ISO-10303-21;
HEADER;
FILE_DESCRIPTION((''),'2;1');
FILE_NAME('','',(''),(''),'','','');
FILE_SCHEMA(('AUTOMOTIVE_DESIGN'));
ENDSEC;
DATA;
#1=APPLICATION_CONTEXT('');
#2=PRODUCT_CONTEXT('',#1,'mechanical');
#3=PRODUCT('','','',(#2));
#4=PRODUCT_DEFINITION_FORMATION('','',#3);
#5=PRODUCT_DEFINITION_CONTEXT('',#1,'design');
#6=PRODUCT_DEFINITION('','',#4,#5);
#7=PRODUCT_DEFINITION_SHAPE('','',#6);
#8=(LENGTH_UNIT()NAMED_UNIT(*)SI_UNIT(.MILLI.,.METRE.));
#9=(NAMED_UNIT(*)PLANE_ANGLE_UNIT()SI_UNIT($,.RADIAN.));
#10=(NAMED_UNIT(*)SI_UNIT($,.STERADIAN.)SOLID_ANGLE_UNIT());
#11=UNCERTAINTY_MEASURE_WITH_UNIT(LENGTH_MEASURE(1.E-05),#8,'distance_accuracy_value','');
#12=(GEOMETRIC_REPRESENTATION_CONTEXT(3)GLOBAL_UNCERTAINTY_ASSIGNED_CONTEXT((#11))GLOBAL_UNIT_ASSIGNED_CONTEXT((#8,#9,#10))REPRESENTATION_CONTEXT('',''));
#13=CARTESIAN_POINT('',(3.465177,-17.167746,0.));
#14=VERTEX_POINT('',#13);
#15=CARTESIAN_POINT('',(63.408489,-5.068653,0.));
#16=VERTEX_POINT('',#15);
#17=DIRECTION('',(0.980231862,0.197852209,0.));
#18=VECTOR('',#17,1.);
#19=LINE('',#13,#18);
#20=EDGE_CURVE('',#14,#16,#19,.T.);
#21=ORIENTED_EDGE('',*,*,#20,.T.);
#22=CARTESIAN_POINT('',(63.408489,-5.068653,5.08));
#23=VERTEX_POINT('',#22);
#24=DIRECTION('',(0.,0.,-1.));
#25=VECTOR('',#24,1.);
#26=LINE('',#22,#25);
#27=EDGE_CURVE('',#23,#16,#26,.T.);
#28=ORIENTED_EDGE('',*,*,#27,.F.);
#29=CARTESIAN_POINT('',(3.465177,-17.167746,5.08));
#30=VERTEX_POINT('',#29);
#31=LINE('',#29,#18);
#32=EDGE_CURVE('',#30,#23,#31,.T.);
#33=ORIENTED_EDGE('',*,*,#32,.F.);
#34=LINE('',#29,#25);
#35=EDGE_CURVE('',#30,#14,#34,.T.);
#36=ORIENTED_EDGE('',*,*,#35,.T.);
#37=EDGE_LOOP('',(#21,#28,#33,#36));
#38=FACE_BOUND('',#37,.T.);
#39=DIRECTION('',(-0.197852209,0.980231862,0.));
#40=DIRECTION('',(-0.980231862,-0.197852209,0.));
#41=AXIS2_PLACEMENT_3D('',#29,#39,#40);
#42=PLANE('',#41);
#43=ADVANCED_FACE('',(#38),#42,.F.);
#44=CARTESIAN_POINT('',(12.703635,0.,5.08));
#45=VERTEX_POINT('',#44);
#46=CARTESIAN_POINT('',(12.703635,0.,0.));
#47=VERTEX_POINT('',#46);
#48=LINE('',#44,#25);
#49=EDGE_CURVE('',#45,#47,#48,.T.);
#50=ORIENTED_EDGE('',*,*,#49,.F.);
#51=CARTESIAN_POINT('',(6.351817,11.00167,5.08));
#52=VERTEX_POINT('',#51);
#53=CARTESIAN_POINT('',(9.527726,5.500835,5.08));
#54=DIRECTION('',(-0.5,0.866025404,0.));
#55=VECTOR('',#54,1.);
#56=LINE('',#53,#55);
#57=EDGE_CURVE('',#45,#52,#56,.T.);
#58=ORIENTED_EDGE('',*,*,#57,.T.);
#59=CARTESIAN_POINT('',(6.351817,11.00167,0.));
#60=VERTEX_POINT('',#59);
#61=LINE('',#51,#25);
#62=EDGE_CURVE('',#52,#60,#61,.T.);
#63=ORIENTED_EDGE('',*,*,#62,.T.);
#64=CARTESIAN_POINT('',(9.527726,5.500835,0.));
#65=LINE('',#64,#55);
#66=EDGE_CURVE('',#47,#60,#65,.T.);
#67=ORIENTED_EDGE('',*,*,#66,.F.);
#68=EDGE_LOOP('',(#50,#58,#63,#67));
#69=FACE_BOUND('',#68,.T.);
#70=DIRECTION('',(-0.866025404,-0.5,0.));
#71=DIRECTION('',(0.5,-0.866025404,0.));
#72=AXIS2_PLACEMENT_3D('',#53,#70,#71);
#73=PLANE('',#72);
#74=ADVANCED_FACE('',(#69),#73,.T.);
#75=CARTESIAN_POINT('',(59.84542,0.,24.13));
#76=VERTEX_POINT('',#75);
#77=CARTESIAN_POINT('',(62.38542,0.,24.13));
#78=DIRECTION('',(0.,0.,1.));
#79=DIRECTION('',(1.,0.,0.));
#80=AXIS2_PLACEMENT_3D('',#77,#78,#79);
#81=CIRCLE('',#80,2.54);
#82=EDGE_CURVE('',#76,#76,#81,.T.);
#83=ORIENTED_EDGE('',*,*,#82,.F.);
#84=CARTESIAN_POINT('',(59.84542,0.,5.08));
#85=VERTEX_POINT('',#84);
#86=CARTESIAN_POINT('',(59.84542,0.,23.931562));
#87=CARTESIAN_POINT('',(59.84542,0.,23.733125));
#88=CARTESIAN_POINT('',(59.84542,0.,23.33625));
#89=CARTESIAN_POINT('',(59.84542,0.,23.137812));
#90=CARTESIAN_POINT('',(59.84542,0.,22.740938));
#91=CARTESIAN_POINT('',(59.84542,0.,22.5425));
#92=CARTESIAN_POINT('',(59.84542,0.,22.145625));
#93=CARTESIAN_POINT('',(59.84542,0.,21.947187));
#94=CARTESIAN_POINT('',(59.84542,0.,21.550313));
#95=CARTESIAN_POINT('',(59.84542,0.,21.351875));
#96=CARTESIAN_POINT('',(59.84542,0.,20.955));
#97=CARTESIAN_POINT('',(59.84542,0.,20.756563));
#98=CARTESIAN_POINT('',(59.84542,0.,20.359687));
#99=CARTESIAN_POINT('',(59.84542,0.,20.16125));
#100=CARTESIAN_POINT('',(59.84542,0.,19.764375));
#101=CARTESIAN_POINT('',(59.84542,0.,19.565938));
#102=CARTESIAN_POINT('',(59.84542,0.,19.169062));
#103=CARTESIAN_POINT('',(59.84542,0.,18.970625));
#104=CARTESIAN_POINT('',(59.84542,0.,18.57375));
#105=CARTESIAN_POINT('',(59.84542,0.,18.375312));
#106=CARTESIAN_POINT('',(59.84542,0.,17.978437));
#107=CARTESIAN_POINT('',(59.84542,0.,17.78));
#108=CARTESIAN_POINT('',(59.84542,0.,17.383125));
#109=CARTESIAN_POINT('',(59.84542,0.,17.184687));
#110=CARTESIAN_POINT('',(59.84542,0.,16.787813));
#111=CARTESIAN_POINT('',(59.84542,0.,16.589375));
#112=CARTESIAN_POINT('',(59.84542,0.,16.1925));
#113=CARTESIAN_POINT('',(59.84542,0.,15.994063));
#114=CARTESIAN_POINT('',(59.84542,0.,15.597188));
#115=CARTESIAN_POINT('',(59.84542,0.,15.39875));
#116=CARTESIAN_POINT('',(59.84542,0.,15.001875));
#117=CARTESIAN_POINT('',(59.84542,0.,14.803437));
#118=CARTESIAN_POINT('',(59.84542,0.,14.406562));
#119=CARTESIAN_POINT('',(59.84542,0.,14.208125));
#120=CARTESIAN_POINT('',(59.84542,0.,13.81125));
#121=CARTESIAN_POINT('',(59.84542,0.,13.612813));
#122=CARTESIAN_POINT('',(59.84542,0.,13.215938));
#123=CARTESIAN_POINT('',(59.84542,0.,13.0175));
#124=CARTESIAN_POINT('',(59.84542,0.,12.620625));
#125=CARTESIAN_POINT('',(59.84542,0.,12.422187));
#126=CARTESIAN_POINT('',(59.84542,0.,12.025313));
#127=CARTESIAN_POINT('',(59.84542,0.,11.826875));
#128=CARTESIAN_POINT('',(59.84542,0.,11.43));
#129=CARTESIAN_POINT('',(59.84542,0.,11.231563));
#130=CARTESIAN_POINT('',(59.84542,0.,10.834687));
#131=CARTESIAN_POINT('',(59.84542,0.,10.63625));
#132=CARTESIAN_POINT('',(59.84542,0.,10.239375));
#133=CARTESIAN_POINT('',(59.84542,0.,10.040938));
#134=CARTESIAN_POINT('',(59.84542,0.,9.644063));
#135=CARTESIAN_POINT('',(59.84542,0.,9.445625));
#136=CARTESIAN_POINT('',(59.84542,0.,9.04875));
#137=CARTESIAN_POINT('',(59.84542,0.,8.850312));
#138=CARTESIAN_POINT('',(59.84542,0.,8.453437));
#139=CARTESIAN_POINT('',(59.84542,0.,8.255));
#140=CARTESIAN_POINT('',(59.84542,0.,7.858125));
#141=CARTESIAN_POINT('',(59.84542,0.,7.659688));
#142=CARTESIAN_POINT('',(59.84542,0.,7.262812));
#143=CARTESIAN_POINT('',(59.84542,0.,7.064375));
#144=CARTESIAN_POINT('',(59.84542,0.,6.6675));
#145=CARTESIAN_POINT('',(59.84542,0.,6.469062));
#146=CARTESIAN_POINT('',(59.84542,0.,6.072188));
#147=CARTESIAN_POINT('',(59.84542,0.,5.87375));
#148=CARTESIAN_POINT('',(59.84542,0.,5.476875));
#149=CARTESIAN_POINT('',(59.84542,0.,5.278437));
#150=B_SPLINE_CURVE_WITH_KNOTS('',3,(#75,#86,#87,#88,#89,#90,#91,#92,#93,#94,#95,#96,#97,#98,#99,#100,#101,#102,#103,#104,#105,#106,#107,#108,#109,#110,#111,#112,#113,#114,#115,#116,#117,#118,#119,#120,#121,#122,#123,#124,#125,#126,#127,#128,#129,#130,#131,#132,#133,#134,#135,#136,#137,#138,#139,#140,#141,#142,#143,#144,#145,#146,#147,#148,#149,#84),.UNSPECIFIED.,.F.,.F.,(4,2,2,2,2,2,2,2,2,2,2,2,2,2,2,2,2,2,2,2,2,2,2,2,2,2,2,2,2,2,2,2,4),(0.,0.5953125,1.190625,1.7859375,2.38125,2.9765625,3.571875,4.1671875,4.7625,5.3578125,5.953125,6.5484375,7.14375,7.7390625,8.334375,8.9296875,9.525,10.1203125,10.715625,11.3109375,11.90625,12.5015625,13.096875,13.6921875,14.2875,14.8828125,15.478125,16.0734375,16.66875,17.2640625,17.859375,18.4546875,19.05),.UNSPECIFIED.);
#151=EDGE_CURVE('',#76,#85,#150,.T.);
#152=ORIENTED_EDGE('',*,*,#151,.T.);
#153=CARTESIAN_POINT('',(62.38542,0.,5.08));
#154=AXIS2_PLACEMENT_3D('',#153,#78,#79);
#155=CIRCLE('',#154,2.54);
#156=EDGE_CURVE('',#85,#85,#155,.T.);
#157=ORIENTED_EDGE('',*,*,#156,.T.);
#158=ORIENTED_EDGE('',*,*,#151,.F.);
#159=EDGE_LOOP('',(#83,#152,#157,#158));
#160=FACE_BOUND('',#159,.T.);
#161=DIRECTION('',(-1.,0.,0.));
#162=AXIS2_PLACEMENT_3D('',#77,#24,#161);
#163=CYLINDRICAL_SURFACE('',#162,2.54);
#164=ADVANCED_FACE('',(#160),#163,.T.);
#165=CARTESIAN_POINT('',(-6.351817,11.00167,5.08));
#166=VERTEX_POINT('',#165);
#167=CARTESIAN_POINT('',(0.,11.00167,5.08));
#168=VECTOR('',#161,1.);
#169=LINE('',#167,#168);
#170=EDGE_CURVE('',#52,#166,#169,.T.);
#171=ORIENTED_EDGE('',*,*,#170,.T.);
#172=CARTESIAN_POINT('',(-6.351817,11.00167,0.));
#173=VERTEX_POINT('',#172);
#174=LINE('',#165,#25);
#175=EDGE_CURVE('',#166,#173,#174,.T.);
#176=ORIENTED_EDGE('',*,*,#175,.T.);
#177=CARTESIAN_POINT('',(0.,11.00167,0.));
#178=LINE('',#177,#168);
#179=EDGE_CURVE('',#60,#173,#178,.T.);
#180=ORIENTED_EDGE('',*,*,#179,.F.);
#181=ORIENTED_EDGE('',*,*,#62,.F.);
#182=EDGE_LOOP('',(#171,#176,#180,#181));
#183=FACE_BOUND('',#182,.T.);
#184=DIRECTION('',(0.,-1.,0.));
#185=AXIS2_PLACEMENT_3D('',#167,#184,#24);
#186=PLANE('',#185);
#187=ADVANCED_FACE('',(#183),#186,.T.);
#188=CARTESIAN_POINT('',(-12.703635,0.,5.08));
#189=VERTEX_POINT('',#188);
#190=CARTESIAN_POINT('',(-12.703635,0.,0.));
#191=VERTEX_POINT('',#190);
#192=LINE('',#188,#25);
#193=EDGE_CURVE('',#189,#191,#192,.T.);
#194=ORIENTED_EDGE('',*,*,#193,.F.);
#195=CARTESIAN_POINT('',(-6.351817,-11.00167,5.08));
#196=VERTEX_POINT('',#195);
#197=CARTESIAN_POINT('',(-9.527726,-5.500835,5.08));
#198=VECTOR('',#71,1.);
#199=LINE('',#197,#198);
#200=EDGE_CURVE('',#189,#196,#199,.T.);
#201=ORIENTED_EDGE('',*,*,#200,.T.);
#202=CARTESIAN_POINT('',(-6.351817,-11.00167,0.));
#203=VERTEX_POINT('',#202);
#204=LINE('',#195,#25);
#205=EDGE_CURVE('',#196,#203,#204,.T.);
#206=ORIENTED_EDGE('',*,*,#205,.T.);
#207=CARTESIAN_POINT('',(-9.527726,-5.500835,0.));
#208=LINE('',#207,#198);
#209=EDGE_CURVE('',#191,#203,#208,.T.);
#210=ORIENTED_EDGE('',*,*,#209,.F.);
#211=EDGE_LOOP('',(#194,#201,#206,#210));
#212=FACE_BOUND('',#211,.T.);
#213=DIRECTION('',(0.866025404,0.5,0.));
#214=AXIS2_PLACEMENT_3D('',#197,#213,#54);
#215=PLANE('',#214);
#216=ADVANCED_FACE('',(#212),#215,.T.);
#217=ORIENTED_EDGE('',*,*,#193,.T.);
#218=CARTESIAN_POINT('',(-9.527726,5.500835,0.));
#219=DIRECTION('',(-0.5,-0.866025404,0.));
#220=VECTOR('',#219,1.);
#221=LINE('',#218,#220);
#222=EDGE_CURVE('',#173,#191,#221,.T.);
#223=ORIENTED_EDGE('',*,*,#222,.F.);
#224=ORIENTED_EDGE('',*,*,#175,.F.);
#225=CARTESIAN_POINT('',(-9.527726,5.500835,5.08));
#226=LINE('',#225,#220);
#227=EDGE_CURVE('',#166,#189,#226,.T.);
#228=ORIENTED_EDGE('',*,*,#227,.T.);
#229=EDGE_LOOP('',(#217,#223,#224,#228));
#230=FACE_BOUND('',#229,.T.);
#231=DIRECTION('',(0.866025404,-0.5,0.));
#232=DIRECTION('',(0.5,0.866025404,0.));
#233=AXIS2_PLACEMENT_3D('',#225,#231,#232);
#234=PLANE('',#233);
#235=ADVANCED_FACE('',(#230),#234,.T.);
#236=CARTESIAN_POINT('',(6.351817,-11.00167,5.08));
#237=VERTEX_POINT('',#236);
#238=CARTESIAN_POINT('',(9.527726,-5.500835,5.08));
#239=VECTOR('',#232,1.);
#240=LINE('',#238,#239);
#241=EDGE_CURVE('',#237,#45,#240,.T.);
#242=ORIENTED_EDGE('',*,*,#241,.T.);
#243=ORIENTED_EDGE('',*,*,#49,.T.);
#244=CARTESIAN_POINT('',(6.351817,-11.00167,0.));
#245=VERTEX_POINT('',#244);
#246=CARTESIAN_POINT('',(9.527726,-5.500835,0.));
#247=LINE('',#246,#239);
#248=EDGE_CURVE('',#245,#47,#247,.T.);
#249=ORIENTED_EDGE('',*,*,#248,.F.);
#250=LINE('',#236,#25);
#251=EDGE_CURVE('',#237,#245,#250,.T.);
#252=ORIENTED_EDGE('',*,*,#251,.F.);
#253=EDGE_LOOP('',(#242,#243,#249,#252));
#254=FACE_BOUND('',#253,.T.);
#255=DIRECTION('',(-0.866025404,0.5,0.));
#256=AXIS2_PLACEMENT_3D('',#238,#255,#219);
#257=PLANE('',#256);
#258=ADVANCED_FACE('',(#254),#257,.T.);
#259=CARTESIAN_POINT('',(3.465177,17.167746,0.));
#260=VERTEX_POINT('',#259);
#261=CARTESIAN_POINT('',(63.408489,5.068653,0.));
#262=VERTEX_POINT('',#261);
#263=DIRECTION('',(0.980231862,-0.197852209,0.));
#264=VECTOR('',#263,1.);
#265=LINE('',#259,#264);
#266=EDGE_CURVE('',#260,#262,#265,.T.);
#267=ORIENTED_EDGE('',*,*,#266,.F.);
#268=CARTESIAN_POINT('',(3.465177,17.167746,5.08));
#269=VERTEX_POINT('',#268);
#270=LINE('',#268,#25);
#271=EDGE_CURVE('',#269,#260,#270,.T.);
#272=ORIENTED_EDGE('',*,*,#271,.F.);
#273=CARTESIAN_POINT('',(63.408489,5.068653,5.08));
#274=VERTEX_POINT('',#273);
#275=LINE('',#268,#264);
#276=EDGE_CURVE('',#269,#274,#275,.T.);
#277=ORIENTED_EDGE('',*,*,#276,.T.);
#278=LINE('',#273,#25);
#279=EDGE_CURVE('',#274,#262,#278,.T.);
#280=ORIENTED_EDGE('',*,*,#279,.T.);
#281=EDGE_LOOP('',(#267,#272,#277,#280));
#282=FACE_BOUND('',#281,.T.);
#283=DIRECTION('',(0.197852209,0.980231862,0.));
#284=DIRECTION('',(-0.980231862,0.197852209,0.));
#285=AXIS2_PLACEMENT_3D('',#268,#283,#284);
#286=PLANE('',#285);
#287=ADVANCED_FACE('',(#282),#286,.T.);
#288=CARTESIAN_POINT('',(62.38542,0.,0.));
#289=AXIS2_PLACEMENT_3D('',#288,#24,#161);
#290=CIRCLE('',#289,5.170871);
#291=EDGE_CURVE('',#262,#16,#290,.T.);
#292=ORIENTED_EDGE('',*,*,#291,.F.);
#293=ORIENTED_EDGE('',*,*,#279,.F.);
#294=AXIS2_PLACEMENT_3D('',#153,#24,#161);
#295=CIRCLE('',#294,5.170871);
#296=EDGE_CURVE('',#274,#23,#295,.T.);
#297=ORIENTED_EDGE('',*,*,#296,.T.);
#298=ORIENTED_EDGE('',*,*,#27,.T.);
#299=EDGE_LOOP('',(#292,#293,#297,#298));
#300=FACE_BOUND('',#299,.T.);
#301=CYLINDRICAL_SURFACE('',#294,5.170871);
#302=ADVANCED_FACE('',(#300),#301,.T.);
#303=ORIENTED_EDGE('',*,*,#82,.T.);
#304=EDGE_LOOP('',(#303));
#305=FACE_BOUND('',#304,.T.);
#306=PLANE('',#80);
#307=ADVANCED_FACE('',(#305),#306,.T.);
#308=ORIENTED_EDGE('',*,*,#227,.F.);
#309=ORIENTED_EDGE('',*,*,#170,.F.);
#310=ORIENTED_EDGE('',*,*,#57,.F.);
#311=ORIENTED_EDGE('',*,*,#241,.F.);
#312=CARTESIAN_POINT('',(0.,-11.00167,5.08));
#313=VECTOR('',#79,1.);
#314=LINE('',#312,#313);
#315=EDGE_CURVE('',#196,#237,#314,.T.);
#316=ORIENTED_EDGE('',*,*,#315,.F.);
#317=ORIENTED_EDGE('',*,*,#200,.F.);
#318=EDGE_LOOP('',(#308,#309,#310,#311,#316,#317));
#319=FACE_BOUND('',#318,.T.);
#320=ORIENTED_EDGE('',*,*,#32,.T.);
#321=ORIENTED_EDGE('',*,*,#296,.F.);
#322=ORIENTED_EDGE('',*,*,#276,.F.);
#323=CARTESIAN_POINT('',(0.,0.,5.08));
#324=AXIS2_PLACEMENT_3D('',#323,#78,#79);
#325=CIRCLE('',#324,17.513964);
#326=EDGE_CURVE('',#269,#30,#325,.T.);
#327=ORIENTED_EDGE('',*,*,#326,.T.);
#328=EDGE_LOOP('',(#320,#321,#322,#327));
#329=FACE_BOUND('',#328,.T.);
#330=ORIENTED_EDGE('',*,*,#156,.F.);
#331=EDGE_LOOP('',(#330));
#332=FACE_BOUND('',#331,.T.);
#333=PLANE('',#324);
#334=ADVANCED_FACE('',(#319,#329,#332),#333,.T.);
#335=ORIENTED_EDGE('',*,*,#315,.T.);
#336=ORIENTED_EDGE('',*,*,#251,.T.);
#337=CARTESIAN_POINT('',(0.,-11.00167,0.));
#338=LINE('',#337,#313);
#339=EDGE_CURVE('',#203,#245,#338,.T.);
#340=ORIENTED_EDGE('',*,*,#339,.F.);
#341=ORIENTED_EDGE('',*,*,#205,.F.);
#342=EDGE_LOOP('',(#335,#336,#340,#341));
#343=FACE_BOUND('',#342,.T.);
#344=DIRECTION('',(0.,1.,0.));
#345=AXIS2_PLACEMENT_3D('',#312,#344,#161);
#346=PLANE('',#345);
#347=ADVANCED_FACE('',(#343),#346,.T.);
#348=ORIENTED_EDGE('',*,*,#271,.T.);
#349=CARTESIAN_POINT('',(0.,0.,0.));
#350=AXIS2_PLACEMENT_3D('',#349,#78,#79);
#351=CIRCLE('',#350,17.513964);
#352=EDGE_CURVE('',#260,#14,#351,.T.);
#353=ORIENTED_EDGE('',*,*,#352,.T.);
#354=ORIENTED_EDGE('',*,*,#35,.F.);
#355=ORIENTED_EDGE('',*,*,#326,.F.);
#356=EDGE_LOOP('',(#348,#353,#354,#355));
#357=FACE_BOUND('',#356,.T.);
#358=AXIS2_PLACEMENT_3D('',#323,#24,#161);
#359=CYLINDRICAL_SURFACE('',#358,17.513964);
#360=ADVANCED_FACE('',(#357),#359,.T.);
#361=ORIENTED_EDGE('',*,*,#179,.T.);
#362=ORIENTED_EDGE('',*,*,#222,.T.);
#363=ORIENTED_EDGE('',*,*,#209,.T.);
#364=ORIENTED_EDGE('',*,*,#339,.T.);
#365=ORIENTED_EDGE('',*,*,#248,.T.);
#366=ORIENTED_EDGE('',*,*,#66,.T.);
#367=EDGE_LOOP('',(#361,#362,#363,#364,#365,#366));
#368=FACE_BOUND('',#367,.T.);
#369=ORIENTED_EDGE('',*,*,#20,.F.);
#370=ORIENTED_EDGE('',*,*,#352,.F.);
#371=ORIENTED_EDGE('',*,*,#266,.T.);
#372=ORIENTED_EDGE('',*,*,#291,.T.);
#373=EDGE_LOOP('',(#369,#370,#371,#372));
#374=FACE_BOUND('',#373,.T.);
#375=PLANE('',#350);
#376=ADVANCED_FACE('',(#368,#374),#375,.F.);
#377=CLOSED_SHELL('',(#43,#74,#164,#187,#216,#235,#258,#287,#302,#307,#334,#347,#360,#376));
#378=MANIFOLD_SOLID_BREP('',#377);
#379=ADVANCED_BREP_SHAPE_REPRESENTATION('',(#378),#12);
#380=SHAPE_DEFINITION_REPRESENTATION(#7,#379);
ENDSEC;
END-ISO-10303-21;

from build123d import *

# Parameters (mm, degrees)
BOSS_EXTRUDE1_DEPTH = 5.08
SKETCH2_R           = 2.54
BOSS_EXTRUDE2_DEPTH = 19.05


with BuildPart() as part:
    # Sketch1 → Boss-Extrude1 (new body)
    with BuildSketch(Plane.XY):
        with BuildLine():
            Line((3.465176556, 17.167746033), (63.408488693, 5.068652798))
            ThreePointArc((63.408488693, 5.068652798), (67.556291682, 0), (63.408488693, -5.068652798))
            Line((63.408488693, -5.068652798), (3.465176556, -17.167746033))
            ThreePointArc((3.465176556, -17.167746033), (-17.513964497, 0), (3.465176556, 17.167746033))
        make_face()
        Polygon((12.70363461, 0), (6.351817305, 11.001670293), (-6.351817305, 11.001670293), (-12.70363461, 0), (-6.351817305, -11.001670293), (6.351817305, -11.001670293), align=None, mode=Mode.SUBTRACT)
    extrude(amount=BOSS_EXTRUDE1_DEPTH)

    # Sketch2 → Boss-Extrude2 (add)
    with BuildSketch(Plane.XY.offset(5.08)):
        with Locations(Location((62.385420387, 0, 0), (0, 0, 180))):
            Circle(SKETCH2_R)
    extrude(amount=BOSS_EXTRUDE2_DEPTH)


solid = part.part
